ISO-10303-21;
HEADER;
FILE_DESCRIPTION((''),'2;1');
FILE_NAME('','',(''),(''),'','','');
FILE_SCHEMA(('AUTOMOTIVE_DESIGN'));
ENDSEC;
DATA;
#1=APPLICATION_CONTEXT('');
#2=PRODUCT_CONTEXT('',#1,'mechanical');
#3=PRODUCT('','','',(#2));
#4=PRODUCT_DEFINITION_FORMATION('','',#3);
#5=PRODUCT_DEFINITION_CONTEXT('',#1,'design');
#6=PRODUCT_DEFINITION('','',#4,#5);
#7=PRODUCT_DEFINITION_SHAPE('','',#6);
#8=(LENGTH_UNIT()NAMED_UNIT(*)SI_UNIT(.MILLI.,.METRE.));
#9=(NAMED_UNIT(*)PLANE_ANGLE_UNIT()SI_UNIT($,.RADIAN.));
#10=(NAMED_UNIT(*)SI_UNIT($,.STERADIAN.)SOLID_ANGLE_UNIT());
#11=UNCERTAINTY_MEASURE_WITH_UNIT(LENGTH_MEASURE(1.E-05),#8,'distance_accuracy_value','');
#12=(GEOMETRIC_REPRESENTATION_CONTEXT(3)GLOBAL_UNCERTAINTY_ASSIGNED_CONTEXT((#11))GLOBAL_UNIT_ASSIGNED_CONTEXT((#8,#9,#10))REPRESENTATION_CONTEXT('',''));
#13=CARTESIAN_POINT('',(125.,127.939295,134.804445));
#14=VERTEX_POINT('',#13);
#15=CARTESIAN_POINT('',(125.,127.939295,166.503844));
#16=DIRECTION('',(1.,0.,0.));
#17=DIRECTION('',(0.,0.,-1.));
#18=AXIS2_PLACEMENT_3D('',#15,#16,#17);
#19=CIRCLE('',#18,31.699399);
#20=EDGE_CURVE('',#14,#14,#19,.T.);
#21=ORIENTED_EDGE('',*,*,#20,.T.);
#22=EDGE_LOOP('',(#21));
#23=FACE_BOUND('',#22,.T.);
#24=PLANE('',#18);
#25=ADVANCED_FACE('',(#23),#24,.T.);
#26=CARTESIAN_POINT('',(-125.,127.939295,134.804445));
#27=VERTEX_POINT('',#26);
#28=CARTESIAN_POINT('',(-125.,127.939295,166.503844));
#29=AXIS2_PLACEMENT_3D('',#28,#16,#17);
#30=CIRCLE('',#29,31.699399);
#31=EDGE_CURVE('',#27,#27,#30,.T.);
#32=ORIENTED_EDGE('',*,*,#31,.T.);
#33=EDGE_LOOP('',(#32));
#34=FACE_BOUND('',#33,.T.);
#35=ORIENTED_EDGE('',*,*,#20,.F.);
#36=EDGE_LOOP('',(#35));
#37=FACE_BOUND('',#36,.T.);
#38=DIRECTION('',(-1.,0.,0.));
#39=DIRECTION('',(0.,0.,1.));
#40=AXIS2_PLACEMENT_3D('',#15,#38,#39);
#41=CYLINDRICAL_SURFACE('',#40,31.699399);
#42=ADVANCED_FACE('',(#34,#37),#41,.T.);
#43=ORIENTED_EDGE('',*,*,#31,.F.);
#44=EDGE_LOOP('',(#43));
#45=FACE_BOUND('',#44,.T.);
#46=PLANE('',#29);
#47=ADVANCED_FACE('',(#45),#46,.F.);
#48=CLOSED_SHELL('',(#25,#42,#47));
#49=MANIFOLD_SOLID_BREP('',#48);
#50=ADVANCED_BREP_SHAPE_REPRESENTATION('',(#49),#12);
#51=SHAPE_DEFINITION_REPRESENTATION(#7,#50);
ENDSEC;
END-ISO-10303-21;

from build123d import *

# Parameters (mm, degrees)
ESBO_O1_R                = 31.699398526
RESSALTO_EXTRUS_O1_DEPTH = 125


with BuildPart() as part:
    # Esboço1 → Ressalto-extrusão1 (new, symmetric)
    with BuildSketch(Plane(origin=(0, 0, 0), x_dir=(0, 0, -1), z_dir=(1, 0, 0))):
        with Locations((-166.503843588, 127.939295123)):
            Circle(ESBO_O1_R)
    extrude(amount=RESSALTO_EXTRUS_O1_DEPTH, both=True)


solid = part.part
